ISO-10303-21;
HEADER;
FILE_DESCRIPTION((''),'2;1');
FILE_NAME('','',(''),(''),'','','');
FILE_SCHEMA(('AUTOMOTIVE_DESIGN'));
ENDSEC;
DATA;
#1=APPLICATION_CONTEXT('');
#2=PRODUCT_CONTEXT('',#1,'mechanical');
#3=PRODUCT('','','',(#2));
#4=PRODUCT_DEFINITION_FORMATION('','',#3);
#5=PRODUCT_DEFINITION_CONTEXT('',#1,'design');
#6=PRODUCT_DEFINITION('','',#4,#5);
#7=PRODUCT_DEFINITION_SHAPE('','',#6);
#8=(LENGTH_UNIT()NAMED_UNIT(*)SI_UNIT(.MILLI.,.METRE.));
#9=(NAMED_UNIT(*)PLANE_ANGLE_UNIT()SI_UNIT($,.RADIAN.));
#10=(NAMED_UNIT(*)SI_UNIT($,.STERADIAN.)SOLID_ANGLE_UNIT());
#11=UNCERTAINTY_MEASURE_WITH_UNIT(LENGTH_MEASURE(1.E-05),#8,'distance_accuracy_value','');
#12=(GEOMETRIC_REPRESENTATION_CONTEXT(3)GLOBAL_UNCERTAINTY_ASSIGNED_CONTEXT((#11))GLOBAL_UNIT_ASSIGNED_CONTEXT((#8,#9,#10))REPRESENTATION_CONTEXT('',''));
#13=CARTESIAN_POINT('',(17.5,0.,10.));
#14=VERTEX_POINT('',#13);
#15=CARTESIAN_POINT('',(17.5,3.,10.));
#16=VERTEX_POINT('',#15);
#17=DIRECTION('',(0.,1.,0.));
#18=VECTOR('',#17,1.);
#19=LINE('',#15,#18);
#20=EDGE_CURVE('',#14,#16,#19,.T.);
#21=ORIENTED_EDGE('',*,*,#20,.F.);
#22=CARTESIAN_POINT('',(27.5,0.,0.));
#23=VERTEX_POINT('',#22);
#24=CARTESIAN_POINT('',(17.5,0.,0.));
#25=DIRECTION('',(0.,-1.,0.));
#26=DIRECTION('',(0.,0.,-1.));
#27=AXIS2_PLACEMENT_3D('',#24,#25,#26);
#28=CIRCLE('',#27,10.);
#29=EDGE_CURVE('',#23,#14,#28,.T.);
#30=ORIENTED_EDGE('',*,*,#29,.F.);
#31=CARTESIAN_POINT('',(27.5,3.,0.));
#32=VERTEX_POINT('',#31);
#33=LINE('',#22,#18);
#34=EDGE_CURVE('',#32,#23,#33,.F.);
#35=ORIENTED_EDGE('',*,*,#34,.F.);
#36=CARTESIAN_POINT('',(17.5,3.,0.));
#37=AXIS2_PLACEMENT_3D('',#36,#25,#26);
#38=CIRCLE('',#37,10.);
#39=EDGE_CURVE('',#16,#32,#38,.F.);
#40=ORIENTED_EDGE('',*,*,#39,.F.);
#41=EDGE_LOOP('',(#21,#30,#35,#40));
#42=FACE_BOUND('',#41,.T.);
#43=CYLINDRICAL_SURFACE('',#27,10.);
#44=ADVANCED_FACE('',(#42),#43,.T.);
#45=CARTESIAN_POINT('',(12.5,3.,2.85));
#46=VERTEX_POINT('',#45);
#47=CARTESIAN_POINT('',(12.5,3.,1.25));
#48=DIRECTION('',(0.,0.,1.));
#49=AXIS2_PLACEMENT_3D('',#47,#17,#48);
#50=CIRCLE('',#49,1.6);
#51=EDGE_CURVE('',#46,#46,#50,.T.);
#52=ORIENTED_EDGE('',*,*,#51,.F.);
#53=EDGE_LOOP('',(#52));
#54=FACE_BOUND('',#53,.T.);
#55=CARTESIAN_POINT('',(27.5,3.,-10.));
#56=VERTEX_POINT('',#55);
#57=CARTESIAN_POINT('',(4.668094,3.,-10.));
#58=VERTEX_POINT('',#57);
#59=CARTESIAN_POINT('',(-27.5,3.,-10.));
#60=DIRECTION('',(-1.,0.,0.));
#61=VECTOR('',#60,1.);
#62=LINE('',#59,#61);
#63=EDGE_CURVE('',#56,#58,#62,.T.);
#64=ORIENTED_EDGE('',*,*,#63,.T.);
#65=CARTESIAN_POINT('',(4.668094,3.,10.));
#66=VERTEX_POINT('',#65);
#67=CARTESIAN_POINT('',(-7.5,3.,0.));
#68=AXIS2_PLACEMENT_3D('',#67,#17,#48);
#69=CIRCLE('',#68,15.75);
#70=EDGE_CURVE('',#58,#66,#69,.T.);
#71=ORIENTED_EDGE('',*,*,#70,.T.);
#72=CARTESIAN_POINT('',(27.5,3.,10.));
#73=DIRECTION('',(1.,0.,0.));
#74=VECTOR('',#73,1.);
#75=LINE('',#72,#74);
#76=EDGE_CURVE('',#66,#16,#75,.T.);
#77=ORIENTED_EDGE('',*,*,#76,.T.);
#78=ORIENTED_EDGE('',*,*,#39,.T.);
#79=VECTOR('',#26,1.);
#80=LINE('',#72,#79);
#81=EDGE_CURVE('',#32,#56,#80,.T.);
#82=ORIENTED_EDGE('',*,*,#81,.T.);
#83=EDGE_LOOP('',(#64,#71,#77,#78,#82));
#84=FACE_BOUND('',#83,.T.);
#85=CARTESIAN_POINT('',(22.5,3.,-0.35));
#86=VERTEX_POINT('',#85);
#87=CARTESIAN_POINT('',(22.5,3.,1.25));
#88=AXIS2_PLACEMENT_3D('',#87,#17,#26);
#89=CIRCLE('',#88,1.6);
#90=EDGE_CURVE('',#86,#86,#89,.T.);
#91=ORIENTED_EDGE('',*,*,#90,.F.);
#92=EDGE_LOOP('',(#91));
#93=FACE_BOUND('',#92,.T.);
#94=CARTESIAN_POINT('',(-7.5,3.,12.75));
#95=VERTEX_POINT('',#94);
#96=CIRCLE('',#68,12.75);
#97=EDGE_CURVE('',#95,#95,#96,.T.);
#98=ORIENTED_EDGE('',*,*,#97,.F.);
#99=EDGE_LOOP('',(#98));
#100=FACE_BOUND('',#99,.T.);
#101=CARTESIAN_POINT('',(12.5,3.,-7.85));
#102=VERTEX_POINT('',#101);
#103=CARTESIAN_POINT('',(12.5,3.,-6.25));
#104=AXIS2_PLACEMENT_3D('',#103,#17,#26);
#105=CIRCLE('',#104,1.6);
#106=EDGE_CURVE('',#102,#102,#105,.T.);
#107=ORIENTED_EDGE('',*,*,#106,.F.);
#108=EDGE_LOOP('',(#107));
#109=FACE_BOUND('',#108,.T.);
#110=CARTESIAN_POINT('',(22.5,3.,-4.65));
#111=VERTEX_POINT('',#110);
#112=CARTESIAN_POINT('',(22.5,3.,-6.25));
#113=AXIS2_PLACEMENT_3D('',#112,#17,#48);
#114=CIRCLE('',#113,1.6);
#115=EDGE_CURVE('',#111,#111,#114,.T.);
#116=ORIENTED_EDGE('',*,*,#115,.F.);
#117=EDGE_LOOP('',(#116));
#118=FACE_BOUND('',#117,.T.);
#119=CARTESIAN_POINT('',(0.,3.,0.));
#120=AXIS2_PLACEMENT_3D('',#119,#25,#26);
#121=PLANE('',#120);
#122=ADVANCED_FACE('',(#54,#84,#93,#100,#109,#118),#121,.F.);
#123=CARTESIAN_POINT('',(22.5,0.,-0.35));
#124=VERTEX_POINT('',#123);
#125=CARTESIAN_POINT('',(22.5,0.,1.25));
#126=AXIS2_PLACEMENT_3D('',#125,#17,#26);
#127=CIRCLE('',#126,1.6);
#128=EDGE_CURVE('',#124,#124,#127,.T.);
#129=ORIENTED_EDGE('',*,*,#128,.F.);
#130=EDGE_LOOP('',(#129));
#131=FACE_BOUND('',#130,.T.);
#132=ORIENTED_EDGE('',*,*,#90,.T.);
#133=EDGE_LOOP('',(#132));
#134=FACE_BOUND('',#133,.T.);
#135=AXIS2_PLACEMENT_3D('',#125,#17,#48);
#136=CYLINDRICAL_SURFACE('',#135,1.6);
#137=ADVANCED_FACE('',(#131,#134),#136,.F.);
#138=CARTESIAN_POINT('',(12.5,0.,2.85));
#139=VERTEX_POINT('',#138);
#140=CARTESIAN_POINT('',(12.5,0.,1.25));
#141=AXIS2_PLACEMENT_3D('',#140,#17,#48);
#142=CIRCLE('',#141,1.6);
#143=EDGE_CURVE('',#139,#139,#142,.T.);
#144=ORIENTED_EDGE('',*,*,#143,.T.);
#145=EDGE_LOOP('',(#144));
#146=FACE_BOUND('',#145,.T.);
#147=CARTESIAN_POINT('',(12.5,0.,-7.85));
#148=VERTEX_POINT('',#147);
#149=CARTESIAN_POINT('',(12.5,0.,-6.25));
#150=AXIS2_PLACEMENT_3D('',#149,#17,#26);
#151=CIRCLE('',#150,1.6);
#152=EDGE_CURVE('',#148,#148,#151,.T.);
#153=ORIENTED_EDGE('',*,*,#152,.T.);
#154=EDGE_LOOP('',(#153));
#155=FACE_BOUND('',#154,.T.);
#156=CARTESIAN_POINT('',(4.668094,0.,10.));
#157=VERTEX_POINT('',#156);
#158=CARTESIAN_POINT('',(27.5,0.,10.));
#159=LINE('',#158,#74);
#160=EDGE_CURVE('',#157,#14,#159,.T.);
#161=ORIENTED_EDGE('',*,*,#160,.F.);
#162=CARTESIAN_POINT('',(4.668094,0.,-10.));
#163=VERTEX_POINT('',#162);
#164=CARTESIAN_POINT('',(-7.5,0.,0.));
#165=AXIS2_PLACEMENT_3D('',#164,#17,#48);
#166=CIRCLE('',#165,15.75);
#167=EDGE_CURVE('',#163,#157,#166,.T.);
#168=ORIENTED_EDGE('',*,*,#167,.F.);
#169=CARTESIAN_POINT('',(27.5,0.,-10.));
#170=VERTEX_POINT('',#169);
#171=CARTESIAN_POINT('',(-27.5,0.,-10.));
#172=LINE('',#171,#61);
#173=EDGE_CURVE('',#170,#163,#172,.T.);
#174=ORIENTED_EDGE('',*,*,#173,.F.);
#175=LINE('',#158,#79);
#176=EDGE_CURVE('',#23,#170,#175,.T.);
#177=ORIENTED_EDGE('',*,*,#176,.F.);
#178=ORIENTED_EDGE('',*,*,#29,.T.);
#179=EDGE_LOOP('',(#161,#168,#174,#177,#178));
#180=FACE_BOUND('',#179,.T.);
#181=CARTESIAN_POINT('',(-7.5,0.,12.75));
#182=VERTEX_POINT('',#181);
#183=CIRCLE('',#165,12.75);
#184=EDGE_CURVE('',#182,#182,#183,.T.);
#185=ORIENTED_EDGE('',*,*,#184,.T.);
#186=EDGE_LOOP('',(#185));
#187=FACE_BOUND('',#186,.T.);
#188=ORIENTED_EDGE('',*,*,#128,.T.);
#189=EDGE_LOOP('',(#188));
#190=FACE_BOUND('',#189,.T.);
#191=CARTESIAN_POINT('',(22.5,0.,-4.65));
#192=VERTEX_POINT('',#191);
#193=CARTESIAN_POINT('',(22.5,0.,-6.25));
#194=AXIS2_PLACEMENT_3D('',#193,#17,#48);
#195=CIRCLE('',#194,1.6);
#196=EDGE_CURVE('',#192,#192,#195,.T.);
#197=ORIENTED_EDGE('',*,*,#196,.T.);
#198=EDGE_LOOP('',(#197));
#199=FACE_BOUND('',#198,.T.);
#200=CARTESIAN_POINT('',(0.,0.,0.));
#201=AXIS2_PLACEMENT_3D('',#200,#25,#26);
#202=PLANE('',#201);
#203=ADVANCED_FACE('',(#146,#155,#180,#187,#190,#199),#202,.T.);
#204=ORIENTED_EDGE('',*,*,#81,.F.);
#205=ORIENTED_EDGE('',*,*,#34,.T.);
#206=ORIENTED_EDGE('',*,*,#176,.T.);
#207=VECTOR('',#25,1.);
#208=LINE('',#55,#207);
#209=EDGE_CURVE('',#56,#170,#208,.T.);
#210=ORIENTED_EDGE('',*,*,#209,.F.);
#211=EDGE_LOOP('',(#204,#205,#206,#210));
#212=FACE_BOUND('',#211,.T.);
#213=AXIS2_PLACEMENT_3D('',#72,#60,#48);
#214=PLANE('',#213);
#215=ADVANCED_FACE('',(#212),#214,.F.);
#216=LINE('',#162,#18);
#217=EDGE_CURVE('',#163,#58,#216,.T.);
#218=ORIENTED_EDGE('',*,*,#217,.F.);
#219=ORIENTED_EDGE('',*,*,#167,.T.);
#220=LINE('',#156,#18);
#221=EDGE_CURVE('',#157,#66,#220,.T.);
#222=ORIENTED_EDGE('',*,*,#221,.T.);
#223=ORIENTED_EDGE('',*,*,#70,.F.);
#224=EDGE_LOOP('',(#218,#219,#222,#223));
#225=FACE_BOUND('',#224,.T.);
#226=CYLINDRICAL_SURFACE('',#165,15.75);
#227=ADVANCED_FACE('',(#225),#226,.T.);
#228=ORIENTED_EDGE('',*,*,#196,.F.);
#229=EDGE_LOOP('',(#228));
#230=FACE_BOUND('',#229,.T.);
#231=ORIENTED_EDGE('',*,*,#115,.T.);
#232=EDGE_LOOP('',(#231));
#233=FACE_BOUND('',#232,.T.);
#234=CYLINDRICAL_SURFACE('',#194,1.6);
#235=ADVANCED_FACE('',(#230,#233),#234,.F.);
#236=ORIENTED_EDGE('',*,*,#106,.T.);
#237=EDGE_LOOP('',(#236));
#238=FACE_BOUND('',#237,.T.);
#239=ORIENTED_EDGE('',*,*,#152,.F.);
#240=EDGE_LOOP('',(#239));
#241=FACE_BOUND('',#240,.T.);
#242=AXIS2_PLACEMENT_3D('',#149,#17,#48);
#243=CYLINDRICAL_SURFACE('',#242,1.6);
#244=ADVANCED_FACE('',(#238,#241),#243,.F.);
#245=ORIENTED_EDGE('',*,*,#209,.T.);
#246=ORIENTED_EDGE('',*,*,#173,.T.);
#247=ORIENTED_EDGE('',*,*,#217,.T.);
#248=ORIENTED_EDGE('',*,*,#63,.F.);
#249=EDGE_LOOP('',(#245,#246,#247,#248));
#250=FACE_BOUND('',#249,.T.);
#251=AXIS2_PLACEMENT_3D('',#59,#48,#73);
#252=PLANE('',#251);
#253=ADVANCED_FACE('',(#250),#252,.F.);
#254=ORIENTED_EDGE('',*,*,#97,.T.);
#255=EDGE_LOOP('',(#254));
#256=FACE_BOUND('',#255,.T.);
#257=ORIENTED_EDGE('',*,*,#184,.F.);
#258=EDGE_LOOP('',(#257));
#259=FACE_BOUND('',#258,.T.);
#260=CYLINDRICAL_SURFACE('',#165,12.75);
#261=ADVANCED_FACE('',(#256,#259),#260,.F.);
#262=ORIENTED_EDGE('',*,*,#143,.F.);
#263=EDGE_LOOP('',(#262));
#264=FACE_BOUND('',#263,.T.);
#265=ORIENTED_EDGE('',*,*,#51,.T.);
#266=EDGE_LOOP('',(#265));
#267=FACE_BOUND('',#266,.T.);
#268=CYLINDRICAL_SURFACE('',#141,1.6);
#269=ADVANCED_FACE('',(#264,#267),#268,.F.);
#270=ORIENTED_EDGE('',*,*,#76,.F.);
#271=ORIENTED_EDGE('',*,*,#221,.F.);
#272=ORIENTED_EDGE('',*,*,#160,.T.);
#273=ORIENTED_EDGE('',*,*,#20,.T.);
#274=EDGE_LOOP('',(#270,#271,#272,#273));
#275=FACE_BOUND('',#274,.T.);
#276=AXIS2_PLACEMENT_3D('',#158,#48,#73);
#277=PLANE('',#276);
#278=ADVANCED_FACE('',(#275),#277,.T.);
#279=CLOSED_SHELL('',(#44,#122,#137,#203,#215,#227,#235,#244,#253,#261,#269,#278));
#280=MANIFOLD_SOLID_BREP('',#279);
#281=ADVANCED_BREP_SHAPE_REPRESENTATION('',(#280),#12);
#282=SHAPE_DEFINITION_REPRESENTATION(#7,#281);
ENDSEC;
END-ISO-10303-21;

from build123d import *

# Parameters (mm, degrees)
SKETCH_1_W          = 55
SKETCH_1_H          = 20
EXTRUDE_1_DEPTH     = 3
SKETCH_2_R          = 1.6
SKETCH_2_R_2        = 6.75
CUT_EXTRUDE_1_DEPTH = 30.41513216
SKETCH_4_R          = 1.6
CUT_EXTRUDE_2_DEPTH = 30.41513216
EXTRUDE_2_DEPTH     = 3
SKETCH_6_R          = 1.6
CUT_EXTRUDE_3_DEPTH = 31.565503431
SKETCH_7_W          = 8
SKETCH_7_H          = 23
CUT_EXTRUDE_4_DEPTH = 31.565503431
SKETCH_9_R          = 18.063991313
EXTRUDE_4_DEPTH     = 3
SKETCH_10_R         = 12.75
CUT_EXTRUDE_6_DEPTH = 34.038731546
SKETCH_11_OUTSIDE_W = 67.918
SKETCH_11_OUTSIDE_H = 50.982
CUT_EXTRUDE_7_DEPTH = 34.038731546
SKETCH_12_OUTSIDE_W = 64.712
SKETCH_12_OUTSIDE_H = 45.462
CUT_EXTRUDE_8_DEPTH = 32.832569799
FILLET_1_R          = 10


with BuildPart() as part:
    # 草图1 → 凸台-拉伸1 (new body)
    with BuildSketch(Plane(origin=(0, 0, 0), x_dir=(1, 0, 0), z_dir=(0, 1, 0))):
        Rectangle(SKETCH_1_W, SKETCH_1_H)
    extrude(amount=EXTRUDE_1_DEPTH)

    # 草图2 → 切除-拉伸1 (cut, through all)
    with BuildSketch(Plane(origin=(0, 3, 0), x_dir=(1, 0, 0), z_dir=(0, 1, 0))):
        with Locations(Location((-15.727241336, 4.75, 0), (0, 0, 270))):
            Circle(SKETCH_2_R)
        with Locations((-7.5, -9.5)):
            Circle(SKETCH_2_R)
        with Locations(Location((0.727241336, 4.75, 0), (0, 0, 270))):
            Circle(SKETCH_2_R)
        with Locations(Location((-7.5, 0, 0), (0, 0, 270))):
            Circle(SKETCH_2_R_2)
    extrude(amount=-CUT_EXTRUDE_1_DEPTH, mode=Mode.SUBTRACT)

    # 草图4 → 切除-拉伸2 (cut, through all)
    with BuildSketch(Plane(origin=(0, 3, 0), x_dir=(1, 0, 0), z_dir=(0, 1, 0))):
        with Locations(Location((22.5, 6.25, 0), (0, 0, 270))):
            Circle(SKETCH_4_R)
        with Locations(Location((12.5, 6.25, 0), (0, 0, 90))):
            Circle(SKETCH_4_R)
        with Locations(Location((22.5, -1.25, 0), (0, 0, 90))):
            Circle(SKETCH_4_R)
        with Locations(Location((12.5, -1.25, 0), (0, 0, 270))):
            Circle(SKETCH_4_R)
    extrude(amount=-CUT_EXTRUDE_2_DEPTH, mode=Mode.SUBTRACT)

    # 草图5 → 凸台-拉伸2 (add)
    with BuildSketch(Plane(origin=(0, 3, 0), x_dir=(1, 0, 0), z_dir=(0, 1, 0))):
        Polygon((-27.5, -10), (-27.5, -13), (0, -13), (27.5, -13), (27.5, -10), align=None)
    extrude(amount=-EXTRUDE_2_DEPTH)

    # 草图6 → 切除-拉伸3 (cut, through all)
    with BuildSketch(Plane(origin=(0, 3, 0), x_dir=(1, 0, 0), z_dir=(0, 1, 0))):
        with Locations(Location((-7.5, -9.5, 0), (0, 0, 270))):
            Circle(SKETCH_6_R)
    extrude(amount=-CUT_EXTRUDE_3_DEPTH, mode=Mode.SUBTRACT)

    # 草图7 → 切除-拉伸4 (cut, through all)
    with BuildSketch(Plane(origin=(0, 3, 0), x_dir=(1, 0, 0), z_dir=(0, 1, 0))):
        with Locations((-23.5, -1.5)):
            Rectangle(SKETCH_7_W, SKETCH_7_H)
    extrude(amount=-CUT_EXTRUDE_4_DEPTH, mode=Mode.SUBTRACT)

    # 草图9 → 凸台-拉伸4 (add)
    with BuildSketch(Plane(origin=(0, 3, 0), x_dir=(1, 0, 0), z_dir=(0, 1, 0))):
        with Locations((-7.5, 0)):
            Circle(SKETCH_9_R)
    extrude(amount=-EXTRUDE_4_DEPTH)

    # 草图10 → 切除-拉伸6 (cut, through all)
    with BuildSketch(Plane(origin=(0, 3, 0), x_dir=(1, 0, 0), z_dir=(0, 1, 0))):
        with Locations(Location((-7.5, 0, 0), (0, 0, 270))):
            Circle(SKETCH_10_R)
    extrude(amount=-CUT_EXTRUDE_6_DEPTH, mode=Mode.SUBTRACT)

    # 草图11 outside → 切除-拉伸7 (cut, through all)
    with BuildSketch(Plane(origin=(0, 3, 0), x_dir=(1, 0, 0), z_dir=(0, 1, 0))):
        with Locations((0.968, 0)):
            Rectangle(SKETCH_11_OUTSIDE_W, SKETCH_11_OUTSIDE_H)
        with BuildLine():
            Line((27.5, 10), (4.668093524, 10))
            ThreePointArc((4.668093524, 10), (-23.092588853, 2.221187265), (1.391709622, -13))
            Line((1.391709622, -13), (27.5, -13))
            Line((27.5, -13), (27.5, 10))
        make_face(mode=Mode.SUBTRACT)
    extrude(amount=-CUT_EXTRUDE_7_DEPTH, mode=Mode.SUBTRACT)

    # 草图12 outside → 切除-拉伸8 (cut, through all)
    with BuildSketch(Plane(origin=(0, 3, 0), x_dir=(1, 0, 0), z_dir=(0, 1, 0))):
        with Locations((2.125, 0)):
            Rectangle(SKETCH_12_OUTSIDE_W, SKETCH_12_OUTSIDE_H)
        with BuildLine():
            Line((27.5, 10), (27.5, -10))
            Line((27.5, -10), (4.668093524, -10))
            ThreePointArc((4.668093524, -10), (-23.25, 0), (4.668093524, 10))
            Line((4.668093524, 10), (27.5, 10))
        make_face(mode=Mode.SUBTRACT)
    extrude(amount=-CUT_EXTRUDE_8_DEPTH, mode=Mode.SUBTRACT)

    # 圆角1
    fillet_1_edges = [part.edges().sort_by_distance(p)[0] for p in [
        (27.5, 1.5, 10),
    ]]
    fillet(fillet_1_edges, radius=FILLET_1_R)


solid = part.part
